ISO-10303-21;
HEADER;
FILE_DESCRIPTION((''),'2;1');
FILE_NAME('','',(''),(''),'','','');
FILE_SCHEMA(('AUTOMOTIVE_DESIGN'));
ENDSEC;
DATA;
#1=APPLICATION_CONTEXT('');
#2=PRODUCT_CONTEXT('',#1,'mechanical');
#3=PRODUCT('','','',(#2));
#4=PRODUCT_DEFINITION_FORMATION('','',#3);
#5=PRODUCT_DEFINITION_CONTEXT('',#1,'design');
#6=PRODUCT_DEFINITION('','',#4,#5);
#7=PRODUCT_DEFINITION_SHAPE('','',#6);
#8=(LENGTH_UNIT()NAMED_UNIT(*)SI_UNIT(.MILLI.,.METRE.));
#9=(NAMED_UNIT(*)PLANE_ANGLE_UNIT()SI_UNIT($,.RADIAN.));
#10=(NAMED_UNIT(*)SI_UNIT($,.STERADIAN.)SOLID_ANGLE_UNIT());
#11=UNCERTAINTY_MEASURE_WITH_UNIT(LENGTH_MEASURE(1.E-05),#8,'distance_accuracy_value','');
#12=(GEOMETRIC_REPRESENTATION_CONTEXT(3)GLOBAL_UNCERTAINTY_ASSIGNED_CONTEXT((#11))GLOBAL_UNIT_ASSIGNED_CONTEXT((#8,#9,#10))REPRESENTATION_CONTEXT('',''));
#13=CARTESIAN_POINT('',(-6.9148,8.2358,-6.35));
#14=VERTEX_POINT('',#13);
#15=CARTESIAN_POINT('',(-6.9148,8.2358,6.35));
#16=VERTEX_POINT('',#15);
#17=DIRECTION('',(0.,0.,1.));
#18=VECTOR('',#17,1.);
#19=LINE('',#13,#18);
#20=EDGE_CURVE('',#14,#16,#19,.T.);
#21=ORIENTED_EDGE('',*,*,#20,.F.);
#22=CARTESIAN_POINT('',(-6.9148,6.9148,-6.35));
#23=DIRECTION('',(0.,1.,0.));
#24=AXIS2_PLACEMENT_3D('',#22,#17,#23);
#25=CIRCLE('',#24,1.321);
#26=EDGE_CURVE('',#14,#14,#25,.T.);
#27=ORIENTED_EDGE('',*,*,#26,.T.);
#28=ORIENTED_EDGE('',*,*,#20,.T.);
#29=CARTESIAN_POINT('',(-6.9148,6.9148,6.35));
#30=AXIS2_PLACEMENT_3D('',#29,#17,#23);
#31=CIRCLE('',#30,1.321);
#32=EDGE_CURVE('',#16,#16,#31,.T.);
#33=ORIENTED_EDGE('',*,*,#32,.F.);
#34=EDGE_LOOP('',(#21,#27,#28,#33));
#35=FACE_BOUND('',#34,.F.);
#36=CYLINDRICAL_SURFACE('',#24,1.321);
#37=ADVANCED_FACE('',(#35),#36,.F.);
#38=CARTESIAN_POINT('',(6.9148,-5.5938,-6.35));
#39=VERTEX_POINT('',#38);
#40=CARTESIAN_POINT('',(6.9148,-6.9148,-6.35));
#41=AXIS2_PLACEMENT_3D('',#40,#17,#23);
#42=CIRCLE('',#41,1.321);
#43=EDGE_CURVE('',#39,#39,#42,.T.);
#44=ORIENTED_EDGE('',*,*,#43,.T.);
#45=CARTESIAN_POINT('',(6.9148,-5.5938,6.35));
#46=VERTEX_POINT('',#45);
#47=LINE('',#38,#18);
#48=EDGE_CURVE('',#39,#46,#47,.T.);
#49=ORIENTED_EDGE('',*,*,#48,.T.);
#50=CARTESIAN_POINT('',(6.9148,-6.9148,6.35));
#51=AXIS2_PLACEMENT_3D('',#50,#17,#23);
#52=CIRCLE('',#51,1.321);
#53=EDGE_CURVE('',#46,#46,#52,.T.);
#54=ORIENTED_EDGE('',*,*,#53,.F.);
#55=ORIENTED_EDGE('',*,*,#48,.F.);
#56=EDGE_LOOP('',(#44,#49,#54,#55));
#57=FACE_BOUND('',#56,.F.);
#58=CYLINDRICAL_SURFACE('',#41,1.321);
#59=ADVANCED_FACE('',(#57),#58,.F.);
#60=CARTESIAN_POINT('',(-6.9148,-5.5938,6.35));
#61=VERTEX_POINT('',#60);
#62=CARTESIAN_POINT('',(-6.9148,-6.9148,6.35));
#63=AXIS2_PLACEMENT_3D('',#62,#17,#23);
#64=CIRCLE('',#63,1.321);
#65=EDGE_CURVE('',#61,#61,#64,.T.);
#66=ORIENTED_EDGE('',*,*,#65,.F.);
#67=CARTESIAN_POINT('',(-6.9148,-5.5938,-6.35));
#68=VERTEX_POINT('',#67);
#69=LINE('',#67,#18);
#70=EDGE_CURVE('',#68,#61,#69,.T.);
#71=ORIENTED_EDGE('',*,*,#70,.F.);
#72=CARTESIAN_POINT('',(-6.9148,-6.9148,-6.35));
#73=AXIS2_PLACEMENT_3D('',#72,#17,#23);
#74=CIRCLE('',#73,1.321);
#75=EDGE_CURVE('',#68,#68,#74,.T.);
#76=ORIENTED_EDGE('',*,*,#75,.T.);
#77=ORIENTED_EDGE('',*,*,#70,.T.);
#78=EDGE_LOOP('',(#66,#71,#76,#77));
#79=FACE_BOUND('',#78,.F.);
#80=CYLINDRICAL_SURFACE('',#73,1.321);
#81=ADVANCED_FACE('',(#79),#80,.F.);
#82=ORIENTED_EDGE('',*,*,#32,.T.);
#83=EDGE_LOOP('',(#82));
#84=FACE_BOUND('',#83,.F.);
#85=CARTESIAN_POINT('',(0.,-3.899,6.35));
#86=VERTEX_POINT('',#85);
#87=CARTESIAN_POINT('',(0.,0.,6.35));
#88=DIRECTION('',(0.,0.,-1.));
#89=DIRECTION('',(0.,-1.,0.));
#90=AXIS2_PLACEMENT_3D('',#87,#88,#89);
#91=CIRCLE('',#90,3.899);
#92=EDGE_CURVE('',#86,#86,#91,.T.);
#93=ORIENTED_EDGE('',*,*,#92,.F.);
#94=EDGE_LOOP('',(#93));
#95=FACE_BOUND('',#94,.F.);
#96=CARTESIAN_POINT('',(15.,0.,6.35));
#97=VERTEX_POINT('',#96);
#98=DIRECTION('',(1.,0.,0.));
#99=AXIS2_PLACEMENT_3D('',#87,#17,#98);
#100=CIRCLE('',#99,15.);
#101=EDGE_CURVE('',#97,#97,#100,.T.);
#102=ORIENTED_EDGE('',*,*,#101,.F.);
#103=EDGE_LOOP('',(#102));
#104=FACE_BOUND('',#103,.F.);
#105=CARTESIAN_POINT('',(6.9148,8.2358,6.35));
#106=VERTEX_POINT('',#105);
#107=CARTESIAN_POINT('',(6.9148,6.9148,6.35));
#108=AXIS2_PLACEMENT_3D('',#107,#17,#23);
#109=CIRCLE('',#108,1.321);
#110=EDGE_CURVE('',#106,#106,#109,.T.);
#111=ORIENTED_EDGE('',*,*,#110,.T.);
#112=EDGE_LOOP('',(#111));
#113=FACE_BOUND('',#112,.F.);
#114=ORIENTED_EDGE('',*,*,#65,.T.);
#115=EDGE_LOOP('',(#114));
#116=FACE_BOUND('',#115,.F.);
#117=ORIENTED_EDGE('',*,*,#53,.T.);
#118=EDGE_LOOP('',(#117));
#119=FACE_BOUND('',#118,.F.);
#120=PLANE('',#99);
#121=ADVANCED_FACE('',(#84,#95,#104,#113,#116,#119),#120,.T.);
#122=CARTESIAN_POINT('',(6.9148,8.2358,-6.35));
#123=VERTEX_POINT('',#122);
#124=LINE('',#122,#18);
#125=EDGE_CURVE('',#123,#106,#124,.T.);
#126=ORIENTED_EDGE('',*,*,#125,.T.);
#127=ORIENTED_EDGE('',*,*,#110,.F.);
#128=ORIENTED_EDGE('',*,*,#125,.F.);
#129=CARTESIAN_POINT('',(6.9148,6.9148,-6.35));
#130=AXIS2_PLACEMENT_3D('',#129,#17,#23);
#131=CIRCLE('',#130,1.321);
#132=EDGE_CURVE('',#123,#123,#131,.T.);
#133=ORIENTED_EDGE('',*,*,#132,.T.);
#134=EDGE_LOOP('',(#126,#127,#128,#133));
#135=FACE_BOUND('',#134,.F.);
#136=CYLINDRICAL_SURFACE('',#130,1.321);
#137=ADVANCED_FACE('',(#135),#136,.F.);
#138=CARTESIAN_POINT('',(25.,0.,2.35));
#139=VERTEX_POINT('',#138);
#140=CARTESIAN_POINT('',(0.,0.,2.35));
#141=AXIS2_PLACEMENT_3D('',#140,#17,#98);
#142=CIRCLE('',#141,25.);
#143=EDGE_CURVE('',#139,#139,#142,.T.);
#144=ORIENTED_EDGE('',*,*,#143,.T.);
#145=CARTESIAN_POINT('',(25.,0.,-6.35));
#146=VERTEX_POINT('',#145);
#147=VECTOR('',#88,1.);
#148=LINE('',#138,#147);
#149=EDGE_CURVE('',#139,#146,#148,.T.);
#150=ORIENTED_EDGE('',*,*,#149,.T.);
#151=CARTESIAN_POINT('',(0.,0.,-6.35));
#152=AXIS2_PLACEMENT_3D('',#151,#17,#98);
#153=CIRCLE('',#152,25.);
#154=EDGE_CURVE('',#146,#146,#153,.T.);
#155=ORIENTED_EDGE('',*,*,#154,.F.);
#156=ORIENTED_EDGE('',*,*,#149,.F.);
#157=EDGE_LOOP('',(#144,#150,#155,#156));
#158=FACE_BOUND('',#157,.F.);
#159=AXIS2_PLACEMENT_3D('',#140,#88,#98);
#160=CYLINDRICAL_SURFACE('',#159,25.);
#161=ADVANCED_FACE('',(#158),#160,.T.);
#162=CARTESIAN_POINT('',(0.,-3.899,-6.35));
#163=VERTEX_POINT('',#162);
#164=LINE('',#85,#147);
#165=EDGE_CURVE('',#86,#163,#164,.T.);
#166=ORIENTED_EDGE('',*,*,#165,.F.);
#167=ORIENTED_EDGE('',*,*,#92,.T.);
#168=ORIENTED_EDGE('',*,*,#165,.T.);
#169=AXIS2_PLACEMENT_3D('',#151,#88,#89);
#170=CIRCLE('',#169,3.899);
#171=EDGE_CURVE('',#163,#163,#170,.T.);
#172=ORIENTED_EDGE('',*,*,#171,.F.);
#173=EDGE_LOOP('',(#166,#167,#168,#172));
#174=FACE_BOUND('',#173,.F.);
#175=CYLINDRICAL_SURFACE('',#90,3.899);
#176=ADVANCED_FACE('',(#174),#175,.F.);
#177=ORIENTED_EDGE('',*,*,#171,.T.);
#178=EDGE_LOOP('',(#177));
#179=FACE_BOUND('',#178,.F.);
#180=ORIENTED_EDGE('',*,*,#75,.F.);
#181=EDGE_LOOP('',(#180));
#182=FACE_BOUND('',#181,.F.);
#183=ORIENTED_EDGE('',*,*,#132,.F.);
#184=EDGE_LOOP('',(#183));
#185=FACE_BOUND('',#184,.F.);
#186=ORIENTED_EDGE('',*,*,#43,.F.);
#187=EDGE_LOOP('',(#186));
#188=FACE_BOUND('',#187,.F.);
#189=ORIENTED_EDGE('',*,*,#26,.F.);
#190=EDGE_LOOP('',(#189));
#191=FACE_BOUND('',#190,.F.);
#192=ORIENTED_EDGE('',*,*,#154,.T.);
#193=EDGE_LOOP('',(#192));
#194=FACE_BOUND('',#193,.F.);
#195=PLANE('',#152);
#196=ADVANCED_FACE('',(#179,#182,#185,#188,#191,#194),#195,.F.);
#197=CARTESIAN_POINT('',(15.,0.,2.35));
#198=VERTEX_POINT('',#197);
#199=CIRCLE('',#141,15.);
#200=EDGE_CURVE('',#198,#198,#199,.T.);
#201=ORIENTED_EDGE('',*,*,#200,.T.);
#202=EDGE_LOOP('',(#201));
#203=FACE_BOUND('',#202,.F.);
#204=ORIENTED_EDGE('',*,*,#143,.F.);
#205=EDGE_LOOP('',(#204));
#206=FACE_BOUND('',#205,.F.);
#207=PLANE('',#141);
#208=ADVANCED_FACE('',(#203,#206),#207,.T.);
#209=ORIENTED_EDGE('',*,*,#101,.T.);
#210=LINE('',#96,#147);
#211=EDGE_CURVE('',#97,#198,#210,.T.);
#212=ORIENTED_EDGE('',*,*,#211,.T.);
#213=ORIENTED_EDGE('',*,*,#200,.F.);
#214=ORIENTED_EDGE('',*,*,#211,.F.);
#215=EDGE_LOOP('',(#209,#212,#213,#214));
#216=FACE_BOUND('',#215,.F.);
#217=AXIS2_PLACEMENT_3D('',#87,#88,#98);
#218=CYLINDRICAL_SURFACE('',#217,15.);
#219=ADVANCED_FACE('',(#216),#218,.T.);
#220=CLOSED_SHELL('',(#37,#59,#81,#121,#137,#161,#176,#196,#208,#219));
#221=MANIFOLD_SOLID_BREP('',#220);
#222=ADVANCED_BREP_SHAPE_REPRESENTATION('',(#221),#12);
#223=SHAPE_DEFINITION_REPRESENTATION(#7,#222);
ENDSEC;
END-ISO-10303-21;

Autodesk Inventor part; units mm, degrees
ref_plane "YZ Plane" through (0, 0, 0) normal (1, 0, 0) x (0, 1, 0)
ref_plane "XZ Plane" through (0, 0, 0) normal (0, 1, 0) x (-1, 0, 0)
ref_plane "XY Plane" through (0, 0, 0) normal (0, 0, 1) x (1, 0, 0)
sketch "Sketch1" plane through (0, 0, 0) normal (0, 1, 0) x (-1, 0, 0)
  line L0 (0, 6.35) -> (-15, 6.35)
  line L1 (-15, 6.35) -> (-15, 2.35)
  line L2 (-15, 2.35) -> (-25, 2.35)
  line L3 (-25, 2.35) -> (-25, -6.35)
  line L4 (-25, -6.35) -> (0, -6.35)
  line L5 (0, -6.35) -> (0, 6.35)
  point P0 (0, 0)
  point P1 (0, 0)
  dimension "d0" = 30
  dimension "d1" = 10
  dimension "d2" = 12.7
  dimension "d3" = 4
revolve "Revolution1" add sketch "Sketch1" angle 360 about axis through (0, 0, -6.35) along (0, 0, 1)
hole "Hole1" at (0, 0, 6.35) direction (0, 0, -1) diameter 7.798 end through all thread size "3/8-16 UNC" class "2B" standard "ANSI Unified Screw Threads"
sketch "Sketch3" plane through (0, 0, -6.35) normal (0, 0, -1) x (-1, 0, 0)
  line L0 (-6.9148, 6.9148) -> (6.9148, 6.9148)
  line L1 (6.9148, 6.9148) -> (6.9148, -6.9148)
  line L2 (6.9148, -6.9148) -> (-6.9148, -6.9148)
  line L3 (-6.9148, -6.9148) -> (-6.9148, 6.9148)
  line L4 (-6.9148, 6.9148) -> (6.9148, -6.9148) construction
  line L5 (6.9148, 6.9148) -> (-6.9148, -6.9148) construction
  point P0 (0, 0)
  dimension "d14" = 19.558
hole "Hole2" at (-6.9148, 6.9148, -6.35) at (-6.9148, -6.9148, -6.35) at (6.9148, -6.9148, -6.35) at (6.9148, 6.9148, -6.35) direction (0, 0, 1) diameter 2.642 end through all thread size "6-32 UNC" class "2B" standard "ANSI Unified Screw Threads"
properties part number "Ground_Tracker_TripodMount" material "UHMW, White"
